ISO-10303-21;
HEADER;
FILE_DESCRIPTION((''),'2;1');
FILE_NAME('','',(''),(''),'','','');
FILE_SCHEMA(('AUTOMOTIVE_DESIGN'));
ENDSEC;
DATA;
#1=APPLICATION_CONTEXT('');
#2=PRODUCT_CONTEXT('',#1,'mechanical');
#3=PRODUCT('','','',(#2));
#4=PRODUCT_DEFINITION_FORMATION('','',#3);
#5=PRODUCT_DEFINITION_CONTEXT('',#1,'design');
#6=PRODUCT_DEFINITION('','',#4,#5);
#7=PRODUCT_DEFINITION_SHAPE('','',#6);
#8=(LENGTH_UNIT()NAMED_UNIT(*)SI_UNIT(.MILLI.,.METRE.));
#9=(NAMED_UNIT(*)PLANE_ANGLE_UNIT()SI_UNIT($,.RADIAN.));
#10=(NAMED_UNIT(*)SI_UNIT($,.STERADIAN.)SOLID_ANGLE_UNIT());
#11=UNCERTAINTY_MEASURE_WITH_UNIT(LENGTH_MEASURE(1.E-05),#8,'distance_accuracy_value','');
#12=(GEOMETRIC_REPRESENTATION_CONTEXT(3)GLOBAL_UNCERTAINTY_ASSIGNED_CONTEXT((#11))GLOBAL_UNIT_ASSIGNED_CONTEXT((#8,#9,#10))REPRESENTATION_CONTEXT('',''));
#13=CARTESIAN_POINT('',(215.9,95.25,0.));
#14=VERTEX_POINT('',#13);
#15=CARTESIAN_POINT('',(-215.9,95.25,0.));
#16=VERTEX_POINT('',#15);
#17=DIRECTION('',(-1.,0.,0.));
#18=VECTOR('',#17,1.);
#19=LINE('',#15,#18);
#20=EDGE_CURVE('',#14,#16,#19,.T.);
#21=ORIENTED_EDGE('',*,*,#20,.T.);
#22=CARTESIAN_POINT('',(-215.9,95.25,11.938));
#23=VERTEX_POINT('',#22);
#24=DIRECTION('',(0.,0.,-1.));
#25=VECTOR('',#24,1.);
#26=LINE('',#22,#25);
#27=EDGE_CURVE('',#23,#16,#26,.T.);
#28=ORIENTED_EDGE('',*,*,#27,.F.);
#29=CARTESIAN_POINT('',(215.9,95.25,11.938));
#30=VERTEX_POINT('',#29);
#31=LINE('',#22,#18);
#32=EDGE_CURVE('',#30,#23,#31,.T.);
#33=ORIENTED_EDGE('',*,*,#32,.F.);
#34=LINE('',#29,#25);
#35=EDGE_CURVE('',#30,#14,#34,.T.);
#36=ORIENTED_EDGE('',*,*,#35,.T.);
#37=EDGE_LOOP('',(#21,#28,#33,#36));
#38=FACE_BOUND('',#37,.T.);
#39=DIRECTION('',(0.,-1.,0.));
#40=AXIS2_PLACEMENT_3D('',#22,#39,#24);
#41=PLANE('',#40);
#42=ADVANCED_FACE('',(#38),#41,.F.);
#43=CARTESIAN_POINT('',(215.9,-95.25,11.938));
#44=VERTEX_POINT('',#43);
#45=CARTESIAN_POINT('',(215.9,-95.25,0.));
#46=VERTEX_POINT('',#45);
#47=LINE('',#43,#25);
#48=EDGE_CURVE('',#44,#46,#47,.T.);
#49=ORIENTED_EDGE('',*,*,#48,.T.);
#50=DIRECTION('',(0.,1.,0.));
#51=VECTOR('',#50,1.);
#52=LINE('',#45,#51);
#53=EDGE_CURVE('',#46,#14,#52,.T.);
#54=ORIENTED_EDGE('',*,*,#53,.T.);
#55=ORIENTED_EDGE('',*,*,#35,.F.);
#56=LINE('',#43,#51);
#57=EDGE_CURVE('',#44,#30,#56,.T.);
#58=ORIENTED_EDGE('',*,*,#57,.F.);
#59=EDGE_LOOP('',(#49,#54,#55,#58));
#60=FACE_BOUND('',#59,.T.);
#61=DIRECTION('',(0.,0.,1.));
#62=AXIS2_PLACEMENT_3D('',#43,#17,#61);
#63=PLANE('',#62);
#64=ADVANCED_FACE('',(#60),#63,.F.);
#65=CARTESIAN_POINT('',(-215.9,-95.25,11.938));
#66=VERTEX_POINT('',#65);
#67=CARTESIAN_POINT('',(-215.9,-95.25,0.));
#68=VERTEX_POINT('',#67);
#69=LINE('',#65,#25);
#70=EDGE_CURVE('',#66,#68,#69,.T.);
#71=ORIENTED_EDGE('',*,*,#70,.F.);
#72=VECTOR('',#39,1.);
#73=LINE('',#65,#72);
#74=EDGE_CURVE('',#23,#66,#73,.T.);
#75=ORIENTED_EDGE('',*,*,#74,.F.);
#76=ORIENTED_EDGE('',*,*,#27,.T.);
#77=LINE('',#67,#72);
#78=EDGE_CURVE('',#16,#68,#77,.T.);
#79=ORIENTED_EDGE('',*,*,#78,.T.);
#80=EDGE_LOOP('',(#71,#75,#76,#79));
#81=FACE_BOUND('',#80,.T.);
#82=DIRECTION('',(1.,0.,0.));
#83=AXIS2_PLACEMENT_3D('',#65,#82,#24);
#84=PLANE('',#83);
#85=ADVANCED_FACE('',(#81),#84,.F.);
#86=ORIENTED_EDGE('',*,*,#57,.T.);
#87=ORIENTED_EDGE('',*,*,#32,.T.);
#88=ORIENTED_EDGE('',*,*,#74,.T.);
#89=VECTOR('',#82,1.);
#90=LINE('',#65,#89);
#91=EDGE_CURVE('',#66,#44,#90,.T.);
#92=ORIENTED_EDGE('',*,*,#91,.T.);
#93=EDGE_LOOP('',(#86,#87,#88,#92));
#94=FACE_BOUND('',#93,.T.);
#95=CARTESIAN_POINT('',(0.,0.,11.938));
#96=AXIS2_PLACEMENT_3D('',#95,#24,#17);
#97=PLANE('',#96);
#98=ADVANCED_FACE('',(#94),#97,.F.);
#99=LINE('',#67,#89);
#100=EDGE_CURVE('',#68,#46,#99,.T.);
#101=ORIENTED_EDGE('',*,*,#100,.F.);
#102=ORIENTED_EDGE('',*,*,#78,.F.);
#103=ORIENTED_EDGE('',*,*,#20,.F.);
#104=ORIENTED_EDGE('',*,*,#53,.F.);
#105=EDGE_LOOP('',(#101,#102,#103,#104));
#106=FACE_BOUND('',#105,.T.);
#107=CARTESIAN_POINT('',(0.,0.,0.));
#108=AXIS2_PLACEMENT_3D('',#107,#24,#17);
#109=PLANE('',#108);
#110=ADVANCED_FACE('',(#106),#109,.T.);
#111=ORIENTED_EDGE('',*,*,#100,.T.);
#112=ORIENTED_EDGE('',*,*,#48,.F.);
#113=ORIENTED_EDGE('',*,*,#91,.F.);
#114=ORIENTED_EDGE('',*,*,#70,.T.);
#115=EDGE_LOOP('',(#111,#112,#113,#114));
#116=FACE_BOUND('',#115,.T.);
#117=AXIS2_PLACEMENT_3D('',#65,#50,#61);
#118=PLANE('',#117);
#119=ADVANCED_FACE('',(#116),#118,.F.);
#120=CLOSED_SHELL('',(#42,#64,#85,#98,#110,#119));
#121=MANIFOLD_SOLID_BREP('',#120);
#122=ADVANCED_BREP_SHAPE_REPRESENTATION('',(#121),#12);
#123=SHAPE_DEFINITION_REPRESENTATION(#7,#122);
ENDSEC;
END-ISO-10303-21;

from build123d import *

# Parameters (mm, degrees)
SKETCH1_W           = 431.8
SKETCH1_H           = 190.5
BOSS_EXTRUDE1_DEPTH = 11.938


with BuildPart() as part:
    # Sketch1 → Boss-Extrude1 (new body)
    with BuildSketch(Plane.XY):
        Rectangle(SKETCH1_W, SKETCH1_H)
    extrude(amount=BOSS_EXTRUDE1_DEPTH)


solid = part.part
